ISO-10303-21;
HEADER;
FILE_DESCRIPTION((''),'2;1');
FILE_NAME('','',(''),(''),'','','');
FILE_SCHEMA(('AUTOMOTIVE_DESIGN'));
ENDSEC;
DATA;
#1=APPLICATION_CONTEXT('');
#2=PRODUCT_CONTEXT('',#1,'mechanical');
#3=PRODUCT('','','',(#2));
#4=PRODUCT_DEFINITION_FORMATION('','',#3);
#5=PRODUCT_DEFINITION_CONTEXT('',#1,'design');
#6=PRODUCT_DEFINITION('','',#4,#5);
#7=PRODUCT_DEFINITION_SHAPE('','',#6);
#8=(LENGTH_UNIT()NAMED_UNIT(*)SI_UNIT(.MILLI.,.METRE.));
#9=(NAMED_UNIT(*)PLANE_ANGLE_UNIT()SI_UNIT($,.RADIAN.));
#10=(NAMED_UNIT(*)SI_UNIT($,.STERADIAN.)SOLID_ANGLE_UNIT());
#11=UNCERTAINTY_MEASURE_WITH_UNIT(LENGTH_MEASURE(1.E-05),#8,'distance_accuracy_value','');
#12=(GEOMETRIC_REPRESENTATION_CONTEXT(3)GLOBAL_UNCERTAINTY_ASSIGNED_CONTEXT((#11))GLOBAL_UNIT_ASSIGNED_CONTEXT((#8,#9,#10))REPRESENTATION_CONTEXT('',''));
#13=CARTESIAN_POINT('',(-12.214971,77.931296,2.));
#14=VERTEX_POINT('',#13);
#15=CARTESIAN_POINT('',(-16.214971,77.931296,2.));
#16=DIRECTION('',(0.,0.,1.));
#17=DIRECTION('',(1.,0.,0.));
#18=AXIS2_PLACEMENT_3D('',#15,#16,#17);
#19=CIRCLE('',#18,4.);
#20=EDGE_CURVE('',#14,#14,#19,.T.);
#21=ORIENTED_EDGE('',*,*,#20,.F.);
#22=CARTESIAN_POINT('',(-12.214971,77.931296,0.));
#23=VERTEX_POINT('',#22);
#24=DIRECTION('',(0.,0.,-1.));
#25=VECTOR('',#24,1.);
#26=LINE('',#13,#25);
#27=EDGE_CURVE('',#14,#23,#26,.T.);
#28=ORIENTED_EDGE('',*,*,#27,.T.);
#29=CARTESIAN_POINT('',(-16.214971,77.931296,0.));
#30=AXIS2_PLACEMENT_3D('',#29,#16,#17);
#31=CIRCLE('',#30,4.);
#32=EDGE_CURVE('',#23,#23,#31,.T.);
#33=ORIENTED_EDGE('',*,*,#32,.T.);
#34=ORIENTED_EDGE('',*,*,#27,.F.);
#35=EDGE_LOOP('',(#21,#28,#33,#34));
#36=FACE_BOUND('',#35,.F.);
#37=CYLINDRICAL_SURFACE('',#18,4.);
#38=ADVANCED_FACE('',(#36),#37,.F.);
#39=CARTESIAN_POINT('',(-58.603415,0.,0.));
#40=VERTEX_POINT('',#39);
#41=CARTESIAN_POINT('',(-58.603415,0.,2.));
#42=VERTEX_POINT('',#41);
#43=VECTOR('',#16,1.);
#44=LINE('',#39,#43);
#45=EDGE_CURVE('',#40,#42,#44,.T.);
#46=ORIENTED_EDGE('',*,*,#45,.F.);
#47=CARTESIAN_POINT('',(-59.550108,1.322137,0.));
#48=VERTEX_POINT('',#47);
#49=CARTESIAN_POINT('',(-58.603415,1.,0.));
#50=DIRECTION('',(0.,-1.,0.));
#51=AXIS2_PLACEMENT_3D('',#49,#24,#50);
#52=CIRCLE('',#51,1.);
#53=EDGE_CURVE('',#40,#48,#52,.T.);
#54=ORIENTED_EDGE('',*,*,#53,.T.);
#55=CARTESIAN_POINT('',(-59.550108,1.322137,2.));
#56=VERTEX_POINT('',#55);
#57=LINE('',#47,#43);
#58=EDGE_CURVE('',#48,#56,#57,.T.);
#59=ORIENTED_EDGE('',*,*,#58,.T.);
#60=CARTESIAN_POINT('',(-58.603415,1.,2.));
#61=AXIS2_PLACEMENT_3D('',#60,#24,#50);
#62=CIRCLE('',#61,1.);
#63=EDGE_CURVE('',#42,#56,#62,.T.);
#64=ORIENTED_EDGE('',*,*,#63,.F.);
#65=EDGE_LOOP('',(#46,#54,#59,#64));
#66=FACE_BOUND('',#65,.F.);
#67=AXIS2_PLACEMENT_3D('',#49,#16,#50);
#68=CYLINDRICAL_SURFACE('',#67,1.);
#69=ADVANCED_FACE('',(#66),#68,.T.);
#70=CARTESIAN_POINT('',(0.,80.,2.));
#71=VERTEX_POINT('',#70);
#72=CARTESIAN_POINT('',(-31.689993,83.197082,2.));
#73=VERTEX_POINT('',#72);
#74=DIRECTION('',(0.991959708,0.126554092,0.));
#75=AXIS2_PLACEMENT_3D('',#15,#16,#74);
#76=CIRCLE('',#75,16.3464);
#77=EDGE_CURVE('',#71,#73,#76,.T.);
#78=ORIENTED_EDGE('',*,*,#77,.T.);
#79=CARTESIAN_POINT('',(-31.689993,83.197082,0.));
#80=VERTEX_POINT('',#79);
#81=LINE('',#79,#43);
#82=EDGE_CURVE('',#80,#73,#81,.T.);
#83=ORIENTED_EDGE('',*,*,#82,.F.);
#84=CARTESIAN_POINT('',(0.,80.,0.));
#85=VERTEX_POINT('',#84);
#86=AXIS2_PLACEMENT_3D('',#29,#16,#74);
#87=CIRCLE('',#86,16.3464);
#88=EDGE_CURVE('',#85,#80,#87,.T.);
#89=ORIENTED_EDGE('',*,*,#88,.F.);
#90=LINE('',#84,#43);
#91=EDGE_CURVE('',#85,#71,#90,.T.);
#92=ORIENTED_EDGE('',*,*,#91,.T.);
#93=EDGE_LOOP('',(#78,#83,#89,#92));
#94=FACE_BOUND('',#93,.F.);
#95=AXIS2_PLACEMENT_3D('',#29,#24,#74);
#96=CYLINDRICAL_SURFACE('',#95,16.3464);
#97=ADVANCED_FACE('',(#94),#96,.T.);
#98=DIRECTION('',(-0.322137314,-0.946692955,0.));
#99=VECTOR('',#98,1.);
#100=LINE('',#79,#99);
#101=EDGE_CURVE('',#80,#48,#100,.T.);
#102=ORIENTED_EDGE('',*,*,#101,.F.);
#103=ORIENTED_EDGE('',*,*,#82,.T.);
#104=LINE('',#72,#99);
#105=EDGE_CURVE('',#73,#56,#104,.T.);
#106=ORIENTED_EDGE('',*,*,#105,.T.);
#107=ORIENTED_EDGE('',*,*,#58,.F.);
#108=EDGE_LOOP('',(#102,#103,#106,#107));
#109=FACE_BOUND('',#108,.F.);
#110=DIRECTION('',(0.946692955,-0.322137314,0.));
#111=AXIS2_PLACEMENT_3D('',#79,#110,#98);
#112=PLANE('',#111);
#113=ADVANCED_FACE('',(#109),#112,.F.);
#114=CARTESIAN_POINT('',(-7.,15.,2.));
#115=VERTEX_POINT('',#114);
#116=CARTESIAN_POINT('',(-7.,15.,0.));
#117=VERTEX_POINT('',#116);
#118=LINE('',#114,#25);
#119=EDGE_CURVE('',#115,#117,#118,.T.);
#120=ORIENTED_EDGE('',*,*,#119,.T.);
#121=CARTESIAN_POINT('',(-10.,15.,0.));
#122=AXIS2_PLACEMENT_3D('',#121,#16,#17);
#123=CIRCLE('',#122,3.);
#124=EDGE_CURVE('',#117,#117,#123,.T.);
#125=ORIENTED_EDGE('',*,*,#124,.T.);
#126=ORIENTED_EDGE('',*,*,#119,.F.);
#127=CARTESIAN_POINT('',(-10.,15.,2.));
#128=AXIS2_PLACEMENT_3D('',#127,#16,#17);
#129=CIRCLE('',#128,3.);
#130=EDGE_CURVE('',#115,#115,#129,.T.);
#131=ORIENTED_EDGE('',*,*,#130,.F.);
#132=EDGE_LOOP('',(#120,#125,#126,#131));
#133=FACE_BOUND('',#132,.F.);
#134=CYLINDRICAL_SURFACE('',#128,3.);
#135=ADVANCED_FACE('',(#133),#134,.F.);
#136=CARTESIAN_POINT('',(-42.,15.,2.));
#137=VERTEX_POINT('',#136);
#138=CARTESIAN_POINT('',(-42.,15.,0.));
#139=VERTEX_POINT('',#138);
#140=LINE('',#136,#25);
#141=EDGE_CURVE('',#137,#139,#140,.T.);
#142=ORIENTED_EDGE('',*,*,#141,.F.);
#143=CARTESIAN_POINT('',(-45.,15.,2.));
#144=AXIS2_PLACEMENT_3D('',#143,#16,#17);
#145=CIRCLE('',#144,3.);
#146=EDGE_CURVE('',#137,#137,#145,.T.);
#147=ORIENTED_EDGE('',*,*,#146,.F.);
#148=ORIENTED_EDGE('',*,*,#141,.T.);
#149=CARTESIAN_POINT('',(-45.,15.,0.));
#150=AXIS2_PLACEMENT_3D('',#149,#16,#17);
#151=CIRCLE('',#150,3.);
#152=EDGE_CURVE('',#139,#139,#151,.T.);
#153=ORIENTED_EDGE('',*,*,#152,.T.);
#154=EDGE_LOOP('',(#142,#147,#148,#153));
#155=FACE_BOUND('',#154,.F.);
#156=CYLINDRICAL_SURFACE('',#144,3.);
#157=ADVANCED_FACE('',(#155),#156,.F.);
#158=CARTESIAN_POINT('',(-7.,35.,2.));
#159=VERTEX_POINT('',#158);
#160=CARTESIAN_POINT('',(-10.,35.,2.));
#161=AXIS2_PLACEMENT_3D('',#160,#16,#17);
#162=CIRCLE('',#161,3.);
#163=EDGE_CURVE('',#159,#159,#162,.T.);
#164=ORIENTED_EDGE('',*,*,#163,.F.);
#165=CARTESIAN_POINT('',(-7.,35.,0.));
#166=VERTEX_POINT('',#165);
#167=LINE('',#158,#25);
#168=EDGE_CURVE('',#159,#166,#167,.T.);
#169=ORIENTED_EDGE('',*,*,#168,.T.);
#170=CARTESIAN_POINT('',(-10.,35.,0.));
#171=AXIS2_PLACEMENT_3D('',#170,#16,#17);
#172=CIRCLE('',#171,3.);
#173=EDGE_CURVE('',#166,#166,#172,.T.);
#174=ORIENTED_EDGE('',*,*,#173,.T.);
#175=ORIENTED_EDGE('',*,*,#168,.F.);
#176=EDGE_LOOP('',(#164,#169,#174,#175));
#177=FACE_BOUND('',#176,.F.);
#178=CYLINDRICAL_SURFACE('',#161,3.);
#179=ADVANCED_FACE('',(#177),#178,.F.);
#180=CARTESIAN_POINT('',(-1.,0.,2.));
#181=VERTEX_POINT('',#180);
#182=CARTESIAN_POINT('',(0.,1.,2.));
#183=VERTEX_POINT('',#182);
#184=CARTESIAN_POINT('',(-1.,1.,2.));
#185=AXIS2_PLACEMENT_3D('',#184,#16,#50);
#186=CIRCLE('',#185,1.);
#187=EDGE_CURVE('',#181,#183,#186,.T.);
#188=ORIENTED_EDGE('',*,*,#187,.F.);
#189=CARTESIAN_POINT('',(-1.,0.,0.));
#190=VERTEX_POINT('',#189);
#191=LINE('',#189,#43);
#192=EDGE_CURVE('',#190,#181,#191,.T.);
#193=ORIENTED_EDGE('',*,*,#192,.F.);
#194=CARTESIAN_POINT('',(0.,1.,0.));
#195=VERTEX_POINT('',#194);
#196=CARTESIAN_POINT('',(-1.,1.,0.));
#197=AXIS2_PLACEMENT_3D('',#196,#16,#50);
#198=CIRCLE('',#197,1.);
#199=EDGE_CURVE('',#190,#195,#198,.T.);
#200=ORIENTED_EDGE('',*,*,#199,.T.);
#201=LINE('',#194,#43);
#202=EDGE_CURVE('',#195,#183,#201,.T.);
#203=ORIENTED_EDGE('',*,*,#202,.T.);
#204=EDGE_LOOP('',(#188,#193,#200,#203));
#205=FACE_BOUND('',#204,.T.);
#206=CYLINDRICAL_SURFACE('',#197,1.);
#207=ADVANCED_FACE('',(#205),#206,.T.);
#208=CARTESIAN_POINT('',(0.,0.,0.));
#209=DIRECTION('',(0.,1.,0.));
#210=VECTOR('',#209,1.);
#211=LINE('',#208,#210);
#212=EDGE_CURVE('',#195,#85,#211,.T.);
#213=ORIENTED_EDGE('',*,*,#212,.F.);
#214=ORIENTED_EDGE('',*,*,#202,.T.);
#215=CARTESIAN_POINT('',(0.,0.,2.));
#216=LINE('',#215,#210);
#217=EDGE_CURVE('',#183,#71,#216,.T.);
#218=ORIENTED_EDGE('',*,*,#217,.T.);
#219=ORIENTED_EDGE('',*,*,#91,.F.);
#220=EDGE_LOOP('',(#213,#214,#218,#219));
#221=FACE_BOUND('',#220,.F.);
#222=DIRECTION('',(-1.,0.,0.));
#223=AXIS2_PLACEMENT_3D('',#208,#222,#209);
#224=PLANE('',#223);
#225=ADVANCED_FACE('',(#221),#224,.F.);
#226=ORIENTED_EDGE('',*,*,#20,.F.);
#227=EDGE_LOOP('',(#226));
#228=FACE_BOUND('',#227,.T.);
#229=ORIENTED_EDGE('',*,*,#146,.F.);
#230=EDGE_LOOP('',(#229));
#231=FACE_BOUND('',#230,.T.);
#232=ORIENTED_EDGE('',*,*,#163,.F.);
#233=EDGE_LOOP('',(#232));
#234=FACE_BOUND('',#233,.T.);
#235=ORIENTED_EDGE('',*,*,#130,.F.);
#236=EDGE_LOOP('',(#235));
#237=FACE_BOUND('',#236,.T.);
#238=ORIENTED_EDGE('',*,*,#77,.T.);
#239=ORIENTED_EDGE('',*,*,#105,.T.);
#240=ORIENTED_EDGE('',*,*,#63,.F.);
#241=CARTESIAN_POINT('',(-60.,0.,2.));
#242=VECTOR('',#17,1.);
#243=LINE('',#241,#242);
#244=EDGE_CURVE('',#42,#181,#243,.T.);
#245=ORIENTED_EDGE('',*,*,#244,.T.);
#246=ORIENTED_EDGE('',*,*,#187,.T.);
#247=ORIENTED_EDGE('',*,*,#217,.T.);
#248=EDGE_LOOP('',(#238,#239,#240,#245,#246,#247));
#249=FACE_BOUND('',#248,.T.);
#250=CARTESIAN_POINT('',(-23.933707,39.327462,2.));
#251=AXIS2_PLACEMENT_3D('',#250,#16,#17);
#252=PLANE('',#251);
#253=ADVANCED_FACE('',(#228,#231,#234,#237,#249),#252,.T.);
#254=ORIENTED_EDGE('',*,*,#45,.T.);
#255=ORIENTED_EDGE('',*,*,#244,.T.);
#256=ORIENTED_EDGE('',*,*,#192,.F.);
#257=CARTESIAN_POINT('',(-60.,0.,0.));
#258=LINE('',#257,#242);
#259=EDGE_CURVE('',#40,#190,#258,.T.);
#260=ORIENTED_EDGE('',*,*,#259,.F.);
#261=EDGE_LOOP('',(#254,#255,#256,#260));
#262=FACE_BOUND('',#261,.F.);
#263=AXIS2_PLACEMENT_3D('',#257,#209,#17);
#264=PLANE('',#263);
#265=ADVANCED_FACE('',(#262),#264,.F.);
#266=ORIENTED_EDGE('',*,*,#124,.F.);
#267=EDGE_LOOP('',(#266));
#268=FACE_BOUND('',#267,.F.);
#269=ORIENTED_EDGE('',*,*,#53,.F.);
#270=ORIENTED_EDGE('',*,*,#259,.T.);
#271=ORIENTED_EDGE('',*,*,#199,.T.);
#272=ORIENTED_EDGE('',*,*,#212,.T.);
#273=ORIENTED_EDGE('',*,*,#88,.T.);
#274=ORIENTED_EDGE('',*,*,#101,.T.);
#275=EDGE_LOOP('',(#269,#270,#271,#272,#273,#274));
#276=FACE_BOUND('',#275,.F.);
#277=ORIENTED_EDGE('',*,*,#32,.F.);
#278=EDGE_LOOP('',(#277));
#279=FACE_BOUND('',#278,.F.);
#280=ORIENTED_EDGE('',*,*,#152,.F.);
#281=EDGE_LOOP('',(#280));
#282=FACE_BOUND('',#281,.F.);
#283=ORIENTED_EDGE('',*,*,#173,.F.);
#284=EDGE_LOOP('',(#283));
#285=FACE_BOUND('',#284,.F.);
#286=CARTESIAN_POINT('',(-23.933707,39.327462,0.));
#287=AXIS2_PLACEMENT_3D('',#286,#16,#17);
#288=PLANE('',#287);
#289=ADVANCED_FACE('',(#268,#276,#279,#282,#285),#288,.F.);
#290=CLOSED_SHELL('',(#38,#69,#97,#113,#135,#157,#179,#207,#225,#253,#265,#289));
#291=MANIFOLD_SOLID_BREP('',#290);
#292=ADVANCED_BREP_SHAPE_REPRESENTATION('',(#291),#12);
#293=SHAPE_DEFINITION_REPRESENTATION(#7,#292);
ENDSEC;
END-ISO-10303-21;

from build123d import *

# Parameters (mm, degrees)
EXTRUDE_1_DEPTH     = 2
FILLET_1_R          = 1
SKETCH_2_R          = 4
SKETCH_2_R_2        = 3
CUT_EXTRUDE_1_DEPTH = 2


with BuildPart() as part:
    # 草图1 → 凸台-拉伸1 (new body)
    with BuildSketch(Plane.XY):
        with BuildLine():
            Line((-60, 0), (0, 0))
            Line((0, 0), (0, 75.862592271))
            Line((0, 75.862592271), (0, 80))
            ThreePointArc((0, 80), (-14.574173945, 94.195139291), (-31.689992774, 83.197081668))
            Line((-31.689992774, 83.197081668), (-60, 0))
        make_face()
    extrude(amount=EXTRUDE_1_DEPTH)

    # 圆角1
    fillet_1_edges = [part.edges().sort_by_distance(p)[0] for p in [
        (0, 0, 1),
        (-60, 0, 1),
    ]]
    fillet(fillet_1_edges, radius=FILLET_1_R)

    # 草图2 → 切除-拉伸1 (cut)
    with BuildSketch(Plane.XY.offset(2)):
        with Locations((-16.214970621, 77.931296136)):
            Circle(SKETCH_2_R)
        with Locations((-10, 35)):
            Circle(SKETCH_2_R_2)
        with Locations((-10, 15)):
            Circle(SKETCH_2_R_2)
        with Locations((-45, 15)):
            Circle(SKETCH_2_R_2)
    extrude(amount=-CUT_EXTRUDE_1_DEPTH, mode=Mode.SUBTRACT)


solid = part.part
